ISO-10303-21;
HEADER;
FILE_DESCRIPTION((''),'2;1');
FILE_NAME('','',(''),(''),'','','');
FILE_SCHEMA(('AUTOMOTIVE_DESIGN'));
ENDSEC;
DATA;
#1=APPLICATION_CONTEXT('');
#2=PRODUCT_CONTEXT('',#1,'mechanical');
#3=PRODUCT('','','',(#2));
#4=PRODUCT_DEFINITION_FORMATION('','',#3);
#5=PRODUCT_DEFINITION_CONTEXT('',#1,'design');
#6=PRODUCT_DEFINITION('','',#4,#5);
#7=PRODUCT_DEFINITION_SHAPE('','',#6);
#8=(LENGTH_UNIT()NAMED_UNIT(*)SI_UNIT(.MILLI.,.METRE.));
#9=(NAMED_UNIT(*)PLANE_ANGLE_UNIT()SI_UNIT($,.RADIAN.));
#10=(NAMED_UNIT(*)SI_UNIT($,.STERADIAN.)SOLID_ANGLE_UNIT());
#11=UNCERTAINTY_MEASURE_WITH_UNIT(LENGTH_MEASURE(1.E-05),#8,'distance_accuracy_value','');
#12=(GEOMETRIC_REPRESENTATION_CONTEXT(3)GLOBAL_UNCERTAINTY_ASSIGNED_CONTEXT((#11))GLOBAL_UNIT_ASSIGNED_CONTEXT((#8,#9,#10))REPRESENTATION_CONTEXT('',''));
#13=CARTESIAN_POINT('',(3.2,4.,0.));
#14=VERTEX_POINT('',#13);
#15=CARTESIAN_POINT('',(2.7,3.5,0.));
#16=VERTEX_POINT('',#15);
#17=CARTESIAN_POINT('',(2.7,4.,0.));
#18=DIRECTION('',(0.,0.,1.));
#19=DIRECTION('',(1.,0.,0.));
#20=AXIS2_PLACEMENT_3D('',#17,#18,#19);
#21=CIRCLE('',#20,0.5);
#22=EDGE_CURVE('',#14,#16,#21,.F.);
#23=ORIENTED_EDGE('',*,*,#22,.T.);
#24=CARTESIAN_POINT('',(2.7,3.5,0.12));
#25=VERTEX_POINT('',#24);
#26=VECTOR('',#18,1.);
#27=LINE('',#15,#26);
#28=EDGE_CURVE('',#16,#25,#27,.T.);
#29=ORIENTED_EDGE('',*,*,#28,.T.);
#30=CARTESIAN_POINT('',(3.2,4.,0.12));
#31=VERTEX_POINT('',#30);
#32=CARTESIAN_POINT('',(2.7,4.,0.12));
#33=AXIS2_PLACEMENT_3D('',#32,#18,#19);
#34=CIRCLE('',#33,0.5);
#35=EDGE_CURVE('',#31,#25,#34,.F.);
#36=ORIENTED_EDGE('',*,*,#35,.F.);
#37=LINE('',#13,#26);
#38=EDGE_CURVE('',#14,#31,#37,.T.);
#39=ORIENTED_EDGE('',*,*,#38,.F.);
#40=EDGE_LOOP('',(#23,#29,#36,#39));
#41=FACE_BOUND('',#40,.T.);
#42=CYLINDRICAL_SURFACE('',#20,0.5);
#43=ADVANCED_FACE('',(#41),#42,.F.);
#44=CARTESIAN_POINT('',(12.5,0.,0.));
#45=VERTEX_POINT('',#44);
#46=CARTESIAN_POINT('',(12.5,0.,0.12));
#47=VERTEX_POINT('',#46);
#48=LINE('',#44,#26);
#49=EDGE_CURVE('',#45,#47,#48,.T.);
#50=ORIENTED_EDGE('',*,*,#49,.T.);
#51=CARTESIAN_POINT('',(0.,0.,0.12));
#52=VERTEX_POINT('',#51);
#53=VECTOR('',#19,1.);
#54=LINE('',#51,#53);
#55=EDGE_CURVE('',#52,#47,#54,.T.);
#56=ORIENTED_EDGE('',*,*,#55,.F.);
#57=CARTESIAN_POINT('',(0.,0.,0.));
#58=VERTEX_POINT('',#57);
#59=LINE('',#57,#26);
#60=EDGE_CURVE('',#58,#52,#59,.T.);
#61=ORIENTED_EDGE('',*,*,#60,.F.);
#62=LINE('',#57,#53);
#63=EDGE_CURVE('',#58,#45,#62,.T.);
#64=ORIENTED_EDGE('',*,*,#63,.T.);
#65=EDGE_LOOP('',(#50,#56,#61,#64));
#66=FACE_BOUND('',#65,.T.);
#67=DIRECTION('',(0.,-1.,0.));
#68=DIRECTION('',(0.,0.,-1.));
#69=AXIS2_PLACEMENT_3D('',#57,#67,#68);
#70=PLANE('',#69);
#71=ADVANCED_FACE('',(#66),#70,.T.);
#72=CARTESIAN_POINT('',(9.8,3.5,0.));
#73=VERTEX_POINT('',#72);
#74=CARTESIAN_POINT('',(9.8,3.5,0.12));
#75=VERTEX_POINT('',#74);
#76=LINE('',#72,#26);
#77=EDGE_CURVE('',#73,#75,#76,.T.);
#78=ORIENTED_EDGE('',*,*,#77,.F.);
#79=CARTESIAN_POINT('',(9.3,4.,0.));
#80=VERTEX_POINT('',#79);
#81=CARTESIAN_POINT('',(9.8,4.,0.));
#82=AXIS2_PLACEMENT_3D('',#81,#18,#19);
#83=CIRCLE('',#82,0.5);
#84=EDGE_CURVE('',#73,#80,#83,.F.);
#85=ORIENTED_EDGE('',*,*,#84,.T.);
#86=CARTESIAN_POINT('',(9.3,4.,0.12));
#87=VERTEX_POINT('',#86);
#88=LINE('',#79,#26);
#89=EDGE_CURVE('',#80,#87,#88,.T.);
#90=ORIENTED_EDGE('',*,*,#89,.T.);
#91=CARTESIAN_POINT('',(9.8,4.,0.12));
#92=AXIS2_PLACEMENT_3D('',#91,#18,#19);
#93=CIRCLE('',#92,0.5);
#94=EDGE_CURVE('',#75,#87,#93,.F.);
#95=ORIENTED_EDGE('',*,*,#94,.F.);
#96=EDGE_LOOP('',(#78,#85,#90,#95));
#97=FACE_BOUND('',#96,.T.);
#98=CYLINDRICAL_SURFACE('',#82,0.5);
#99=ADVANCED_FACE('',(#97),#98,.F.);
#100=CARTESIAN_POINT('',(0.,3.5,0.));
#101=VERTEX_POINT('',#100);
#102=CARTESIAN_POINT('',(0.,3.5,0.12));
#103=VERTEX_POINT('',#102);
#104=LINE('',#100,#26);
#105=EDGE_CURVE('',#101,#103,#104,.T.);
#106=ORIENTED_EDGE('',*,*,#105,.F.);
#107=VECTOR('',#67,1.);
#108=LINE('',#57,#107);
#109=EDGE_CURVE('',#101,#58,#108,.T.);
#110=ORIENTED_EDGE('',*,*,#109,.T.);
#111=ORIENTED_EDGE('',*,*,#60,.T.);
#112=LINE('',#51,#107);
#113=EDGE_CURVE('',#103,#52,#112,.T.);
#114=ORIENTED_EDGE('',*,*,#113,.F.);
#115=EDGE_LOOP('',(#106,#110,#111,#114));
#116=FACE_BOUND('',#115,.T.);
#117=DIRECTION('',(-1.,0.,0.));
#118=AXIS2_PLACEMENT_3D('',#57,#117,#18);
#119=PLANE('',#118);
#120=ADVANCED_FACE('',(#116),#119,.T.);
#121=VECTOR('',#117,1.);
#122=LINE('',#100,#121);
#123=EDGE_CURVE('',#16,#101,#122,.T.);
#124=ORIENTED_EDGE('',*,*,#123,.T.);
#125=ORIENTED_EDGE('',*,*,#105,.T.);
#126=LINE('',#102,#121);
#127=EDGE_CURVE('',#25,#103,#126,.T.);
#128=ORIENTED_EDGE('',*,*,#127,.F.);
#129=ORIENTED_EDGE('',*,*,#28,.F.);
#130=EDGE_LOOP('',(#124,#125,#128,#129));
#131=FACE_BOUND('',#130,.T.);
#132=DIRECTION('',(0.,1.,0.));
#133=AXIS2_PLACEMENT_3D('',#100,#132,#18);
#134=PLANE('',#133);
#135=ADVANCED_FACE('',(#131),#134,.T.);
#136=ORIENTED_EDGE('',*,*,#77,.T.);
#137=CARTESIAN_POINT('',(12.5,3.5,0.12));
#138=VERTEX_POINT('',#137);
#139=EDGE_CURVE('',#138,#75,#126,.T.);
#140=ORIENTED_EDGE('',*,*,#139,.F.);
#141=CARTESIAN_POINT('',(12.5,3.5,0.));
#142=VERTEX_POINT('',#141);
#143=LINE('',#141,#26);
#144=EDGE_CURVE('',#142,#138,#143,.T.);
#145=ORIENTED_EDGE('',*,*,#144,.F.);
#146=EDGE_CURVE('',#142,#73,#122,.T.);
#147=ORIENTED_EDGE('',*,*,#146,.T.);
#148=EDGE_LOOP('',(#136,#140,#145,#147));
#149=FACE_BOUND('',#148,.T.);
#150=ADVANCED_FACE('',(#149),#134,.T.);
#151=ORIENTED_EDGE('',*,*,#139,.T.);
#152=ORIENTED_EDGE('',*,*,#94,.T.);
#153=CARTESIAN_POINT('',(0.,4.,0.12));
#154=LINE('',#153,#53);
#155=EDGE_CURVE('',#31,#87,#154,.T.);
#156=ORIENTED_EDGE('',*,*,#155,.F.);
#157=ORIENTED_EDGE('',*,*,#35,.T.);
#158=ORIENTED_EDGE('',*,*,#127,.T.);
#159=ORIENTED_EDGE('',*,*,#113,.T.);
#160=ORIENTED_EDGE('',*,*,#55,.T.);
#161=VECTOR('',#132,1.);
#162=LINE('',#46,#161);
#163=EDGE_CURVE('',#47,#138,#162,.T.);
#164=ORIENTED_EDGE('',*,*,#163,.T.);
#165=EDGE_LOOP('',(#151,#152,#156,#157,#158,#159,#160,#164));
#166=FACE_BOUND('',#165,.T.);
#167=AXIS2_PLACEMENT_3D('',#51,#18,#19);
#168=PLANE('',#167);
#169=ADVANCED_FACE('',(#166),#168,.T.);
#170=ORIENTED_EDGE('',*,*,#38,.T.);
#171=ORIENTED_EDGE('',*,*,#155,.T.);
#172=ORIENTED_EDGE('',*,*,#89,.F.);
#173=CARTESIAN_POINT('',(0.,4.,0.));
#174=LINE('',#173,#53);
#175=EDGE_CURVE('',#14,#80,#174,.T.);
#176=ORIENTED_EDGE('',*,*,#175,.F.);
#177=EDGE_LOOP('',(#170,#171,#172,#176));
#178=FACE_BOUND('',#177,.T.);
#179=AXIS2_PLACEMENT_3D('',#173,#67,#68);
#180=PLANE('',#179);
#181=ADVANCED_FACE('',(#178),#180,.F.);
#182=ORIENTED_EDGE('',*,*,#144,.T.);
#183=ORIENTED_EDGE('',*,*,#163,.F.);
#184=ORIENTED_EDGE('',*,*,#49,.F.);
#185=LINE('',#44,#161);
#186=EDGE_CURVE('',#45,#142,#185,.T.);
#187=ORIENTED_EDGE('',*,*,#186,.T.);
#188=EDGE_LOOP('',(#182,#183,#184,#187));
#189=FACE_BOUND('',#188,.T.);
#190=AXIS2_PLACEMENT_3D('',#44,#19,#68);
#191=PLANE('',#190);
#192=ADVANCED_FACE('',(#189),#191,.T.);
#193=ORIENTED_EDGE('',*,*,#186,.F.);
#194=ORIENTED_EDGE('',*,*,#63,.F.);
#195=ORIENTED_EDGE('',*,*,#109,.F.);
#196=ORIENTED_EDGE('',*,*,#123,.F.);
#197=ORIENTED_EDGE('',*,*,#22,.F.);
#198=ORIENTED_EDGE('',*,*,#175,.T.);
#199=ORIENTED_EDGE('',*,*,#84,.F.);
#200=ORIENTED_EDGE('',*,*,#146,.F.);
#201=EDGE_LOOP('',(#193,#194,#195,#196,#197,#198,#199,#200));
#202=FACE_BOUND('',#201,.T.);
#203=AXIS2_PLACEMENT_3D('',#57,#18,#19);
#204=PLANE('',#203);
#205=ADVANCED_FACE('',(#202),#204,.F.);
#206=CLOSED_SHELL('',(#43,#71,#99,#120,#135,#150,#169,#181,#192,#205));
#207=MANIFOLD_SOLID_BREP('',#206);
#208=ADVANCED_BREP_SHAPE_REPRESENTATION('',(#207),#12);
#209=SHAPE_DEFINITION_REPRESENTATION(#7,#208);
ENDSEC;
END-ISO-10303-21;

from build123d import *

# Parameters (mm, degrees)
SKETCH1_W           = 12.5
SKETCH1_H           = 3.5
BOSS_EXTRUDE1_DEPTH = 0.12


with BuildPart() as part:
    # Sketch1 → Boss-Extrude1 (new body)
    with BuildSketch(Plane.XY.offset(0.12)):
        with Locations((6.25, 1.75)):
            Rectangle(SKETCH1_W, SKETCH1_H)
        with BuildLine():
            ThreePointArc((3.2, 4), (3.053553391, 3.646446609), (2.7, 3.5))
            Line((2.7, 3.5), (9.8, 3.5))
            ThreePointArc((9.8, 3.5), (9.446446609, 3.646446609), (9.3, 4))
            Line((9.3, 4), (3.2, 4))
        make_face()
    extrude(amount=-BOSS_EXTRUDE1_DEPTH)


solid = part.part
